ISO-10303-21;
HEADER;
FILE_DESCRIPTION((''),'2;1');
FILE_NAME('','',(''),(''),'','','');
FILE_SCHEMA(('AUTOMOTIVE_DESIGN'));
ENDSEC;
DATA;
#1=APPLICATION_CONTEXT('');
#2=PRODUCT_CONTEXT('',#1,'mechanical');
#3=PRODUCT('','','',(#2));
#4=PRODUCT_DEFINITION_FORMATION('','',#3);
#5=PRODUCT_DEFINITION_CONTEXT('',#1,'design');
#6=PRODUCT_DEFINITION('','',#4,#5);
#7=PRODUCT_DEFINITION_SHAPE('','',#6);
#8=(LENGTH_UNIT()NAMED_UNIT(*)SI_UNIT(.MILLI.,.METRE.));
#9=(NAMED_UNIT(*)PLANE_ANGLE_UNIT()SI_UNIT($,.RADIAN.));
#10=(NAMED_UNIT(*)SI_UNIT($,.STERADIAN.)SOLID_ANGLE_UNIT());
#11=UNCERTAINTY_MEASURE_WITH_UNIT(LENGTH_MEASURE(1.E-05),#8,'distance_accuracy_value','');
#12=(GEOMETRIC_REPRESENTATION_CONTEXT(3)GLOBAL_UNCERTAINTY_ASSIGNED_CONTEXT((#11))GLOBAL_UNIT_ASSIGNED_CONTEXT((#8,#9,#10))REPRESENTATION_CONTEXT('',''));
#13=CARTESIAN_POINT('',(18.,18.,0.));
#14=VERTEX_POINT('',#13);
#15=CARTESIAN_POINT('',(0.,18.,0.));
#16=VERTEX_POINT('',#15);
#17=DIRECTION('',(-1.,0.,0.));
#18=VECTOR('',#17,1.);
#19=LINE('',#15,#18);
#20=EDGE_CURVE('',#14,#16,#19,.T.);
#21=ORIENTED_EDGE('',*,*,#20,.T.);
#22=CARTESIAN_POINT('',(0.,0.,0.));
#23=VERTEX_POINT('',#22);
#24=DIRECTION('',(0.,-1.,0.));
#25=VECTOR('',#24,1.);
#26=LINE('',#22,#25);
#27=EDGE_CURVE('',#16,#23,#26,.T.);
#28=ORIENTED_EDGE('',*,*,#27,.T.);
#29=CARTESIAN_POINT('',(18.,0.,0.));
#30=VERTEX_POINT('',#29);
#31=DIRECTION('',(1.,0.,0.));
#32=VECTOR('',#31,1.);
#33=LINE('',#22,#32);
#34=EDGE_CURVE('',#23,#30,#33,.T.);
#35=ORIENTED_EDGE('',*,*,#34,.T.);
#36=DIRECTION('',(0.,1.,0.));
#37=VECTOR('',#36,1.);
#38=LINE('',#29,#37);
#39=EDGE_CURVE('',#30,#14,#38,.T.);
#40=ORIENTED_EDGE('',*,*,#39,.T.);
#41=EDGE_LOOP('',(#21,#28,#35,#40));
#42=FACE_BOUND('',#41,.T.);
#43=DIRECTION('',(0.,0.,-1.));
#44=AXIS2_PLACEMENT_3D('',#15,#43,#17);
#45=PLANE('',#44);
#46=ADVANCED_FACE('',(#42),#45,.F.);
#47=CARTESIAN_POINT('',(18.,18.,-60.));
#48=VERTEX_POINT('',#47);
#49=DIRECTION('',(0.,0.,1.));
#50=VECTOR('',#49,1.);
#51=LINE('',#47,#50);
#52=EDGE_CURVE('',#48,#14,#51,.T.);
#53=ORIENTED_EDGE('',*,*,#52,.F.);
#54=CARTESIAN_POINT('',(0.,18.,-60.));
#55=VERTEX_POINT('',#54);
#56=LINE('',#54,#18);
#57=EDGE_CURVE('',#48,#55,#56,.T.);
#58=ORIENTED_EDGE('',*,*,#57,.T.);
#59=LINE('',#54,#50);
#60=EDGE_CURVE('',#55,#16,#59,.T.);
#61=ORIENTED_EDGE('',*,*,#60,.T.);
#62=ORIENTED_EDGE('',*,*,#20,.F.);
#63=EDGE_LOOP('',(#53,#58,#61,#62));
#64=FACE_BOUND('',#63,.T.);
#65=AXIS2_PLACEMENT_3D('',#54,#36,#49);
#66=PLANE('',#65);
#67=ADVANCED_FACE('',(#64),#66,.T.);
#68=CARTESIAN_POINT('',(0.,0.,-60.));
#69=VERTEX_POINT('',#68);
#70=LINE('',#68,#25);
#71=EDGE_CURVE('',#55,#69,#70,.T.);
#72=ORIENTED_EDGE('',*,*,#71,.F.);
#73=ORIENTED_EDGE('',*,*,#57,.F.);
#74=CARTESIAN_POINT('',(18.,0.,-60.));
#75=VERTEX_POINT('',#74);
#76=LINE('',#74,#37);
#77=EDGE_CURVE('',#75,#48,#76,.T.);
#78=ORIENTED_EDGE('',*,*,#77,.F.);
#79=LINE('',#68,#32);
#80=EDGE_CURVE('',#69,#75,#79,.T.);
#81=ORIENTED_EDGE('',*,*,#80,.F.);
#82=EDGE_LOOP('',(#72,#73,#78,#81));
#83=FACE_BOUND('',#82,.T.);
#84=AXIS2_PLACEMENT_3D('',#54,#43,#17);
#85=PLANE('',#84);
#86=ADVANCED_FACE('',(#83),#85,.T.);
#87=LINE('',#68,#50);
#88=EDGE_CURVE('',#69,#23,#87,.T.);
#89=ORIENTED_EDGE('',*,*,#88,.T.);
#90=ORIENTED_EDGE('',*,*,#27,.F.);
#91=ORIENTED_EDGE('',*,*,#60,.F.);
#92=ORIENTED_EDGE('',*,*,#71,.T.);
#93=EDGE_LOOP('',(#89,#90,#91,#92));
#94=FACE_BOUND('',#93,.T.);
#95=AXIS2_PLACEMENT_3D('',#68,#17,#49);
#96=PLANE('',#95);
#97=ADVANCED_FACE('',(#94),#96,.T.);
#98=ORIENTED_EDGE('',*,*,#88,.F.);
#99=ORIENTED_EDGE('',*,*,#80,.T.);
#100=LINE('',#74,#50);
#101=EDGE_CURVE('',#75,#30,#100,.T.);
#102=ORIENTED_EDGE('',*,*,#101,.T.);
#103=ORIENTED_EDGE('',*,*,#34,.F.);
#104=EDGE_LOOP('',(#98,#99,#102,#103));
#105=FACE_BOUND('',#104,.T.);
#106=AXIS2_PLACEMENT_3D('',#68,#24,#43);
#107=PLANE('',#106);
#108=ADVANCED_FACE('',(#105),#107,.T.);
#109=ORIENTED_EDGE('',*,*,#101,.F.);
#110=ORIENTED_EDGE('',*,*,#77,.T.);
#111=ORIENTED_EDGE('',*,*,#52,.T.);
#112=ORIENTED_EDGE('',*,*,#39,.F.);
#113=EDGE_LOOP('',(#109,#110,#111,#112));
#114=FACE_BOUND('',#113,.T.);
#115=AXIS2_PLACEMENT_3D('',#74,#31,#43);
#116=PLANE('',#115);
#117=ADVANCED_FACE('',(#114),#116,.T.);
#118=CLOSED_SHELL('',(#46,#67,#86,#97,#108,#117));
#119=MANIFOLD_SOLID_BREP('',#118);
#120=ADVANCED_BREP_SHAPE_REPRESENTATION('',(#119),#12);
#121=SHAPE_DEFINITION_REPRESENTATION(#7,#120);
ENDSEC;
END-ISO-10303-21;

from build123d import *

# Parameters (mm, degrees)
ESQUISSE1_W      = 18
ESQUISSE1_H      = 18
EXTRUSION1_DEPTH = 60


with BuildPart() as part:
    # Esquisse1 → Extrusion1 (new body)
    with BuildSketch(Plane.XY):
        with Locations((9, 9)):
            Rectangle(ESQUISSE1_W, ESQUISSE1_H)
    extrude(amount=-EXTRUSION1_DEPTH)


solid = part.part
